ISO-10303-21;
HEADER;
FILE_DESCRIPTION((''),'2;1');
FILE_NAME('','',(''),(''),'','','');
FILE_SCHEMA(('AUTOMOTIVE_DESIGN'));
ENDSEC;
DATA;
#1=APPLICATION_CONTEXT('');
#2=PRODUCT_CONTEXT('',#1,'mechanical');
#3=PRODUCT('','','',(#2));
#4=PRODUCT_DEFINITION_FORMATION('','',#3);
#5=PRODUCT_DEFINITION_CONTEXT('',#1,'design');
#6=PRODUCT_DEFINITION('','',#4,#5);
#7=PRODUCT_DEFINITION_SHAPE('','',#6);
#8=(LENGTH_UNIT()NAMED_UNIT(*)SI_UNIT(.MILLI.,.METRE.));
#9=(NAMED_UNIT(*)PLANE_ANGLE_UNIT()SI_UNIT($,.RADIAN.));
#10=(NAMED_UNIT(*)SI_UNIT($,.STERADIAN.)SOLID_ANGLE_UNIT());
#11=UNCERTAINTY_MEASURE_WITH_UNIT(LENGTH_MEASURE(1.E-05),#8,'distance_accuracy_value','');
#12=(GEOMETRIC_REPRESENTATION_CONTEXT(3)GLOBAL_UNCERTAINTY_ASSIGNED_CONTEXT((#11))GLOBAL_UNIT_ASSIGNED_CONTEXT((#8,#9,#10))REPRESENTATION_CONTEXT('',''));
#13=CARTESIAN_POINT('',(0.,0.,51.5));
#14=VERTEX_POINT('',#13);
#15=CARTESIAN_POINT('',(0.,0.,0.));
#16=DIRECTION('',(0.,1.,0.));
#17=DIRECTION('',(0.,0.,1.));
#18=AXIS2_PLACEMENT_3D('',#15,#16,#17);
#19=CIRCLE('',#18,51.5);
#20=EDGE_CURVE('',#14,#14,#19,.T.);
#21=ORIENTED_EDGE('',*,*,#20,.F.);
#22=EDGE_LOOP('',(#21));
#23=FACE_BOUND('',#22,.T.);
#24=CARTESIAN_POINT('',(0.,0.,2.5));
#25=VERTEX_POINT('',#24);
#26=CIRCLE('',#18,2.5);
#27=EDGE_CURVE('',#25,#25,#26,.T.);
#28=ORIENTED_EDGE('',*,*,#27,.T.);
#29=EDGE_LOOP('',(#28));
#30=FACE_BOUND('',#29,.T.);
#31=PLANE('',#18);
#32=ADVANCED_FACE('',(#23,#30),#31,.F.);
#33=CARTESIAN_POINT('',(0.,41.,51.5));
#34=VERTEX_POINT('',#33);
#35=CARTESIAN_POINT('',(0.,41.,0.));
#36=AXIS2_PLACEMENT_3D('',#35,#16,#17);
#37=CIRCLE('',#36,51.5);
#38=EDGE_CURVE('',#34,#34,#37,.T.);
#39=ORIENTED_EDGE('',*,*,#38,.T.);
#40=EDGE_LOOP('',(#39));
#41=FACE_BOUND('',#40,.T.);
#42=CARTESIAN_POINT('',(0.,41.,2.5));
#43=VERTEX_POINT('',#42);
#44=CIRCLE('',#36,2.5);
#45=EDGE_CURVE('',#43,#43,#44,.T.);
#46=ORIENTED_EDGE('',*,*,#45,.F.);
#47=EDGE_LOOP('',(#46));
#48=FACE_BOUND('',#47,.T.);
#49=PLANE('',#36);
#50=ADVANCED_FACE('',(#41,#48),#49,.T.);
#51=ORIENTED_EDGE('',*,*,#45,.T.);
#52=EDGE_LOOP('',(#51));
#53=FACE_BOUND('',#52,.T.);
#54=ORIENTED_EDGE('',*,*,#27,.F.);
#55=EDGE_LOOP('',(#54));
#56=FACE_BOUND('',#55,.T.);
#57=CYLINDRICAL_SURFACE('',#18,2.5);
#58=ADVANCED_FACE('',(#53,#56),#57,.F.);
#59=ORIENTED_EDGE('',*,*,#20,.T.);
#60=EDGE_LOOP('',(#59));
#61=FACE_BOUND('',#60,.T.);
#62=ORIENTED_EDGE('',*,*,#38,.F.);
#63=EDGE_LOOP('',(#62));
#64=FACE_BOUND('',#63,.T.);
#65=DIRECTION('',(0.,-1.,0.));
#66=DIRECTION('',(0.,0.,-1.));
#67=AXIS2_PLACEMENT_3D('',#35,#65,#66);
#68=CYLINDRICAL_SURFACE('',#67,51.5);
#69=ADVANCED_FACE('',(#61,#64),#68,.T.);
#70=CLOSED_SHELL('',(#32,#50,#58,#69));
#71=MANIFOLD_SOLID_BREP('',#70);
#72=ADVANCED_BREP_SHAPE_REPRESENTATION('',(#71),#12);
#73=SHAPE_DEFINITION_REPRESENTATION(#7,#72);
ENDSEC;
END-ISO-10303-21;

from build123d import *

# Parameters (mm, degrees)
SKETCH_1_R          = 51.5
EXTRUDE_1_DEPTH     = 41
SKETCH_2_R          = 2.5
CUT_EXTRUDE_1_DEPTH = 84.579303658


with BuildPart() as part:
    # 草图1 → 凸台-拉伸1 (new body)
    with BuildSketch(Plane(origin=(0, 0, 0), x_dir=(1, 0, 0), z_dir=(0, 1, 0))):
        with Locations(Location((0, 0, 0), (0, 0, 270))):
            Circle(SKETCH_1_R)
    extrude(amount=EXTRUDE_1_DEPTH)

    # 草图2 → 切除-拉伸1 (cut, through all)
    with BuildSketch(Plane(origin=(0, 41, 0), x_dir=(1, 0, 0), z_dir=(0, 1, 0))):
        with Locations(Location((0, 0, 0), (0, 0, 270))):
            Circle(SKETCH_2_R)
    extrude(amount=-CUT_EXTRUDE_1_DEPTH, mode=Mode.SUBTRACT)


solid = part.part
